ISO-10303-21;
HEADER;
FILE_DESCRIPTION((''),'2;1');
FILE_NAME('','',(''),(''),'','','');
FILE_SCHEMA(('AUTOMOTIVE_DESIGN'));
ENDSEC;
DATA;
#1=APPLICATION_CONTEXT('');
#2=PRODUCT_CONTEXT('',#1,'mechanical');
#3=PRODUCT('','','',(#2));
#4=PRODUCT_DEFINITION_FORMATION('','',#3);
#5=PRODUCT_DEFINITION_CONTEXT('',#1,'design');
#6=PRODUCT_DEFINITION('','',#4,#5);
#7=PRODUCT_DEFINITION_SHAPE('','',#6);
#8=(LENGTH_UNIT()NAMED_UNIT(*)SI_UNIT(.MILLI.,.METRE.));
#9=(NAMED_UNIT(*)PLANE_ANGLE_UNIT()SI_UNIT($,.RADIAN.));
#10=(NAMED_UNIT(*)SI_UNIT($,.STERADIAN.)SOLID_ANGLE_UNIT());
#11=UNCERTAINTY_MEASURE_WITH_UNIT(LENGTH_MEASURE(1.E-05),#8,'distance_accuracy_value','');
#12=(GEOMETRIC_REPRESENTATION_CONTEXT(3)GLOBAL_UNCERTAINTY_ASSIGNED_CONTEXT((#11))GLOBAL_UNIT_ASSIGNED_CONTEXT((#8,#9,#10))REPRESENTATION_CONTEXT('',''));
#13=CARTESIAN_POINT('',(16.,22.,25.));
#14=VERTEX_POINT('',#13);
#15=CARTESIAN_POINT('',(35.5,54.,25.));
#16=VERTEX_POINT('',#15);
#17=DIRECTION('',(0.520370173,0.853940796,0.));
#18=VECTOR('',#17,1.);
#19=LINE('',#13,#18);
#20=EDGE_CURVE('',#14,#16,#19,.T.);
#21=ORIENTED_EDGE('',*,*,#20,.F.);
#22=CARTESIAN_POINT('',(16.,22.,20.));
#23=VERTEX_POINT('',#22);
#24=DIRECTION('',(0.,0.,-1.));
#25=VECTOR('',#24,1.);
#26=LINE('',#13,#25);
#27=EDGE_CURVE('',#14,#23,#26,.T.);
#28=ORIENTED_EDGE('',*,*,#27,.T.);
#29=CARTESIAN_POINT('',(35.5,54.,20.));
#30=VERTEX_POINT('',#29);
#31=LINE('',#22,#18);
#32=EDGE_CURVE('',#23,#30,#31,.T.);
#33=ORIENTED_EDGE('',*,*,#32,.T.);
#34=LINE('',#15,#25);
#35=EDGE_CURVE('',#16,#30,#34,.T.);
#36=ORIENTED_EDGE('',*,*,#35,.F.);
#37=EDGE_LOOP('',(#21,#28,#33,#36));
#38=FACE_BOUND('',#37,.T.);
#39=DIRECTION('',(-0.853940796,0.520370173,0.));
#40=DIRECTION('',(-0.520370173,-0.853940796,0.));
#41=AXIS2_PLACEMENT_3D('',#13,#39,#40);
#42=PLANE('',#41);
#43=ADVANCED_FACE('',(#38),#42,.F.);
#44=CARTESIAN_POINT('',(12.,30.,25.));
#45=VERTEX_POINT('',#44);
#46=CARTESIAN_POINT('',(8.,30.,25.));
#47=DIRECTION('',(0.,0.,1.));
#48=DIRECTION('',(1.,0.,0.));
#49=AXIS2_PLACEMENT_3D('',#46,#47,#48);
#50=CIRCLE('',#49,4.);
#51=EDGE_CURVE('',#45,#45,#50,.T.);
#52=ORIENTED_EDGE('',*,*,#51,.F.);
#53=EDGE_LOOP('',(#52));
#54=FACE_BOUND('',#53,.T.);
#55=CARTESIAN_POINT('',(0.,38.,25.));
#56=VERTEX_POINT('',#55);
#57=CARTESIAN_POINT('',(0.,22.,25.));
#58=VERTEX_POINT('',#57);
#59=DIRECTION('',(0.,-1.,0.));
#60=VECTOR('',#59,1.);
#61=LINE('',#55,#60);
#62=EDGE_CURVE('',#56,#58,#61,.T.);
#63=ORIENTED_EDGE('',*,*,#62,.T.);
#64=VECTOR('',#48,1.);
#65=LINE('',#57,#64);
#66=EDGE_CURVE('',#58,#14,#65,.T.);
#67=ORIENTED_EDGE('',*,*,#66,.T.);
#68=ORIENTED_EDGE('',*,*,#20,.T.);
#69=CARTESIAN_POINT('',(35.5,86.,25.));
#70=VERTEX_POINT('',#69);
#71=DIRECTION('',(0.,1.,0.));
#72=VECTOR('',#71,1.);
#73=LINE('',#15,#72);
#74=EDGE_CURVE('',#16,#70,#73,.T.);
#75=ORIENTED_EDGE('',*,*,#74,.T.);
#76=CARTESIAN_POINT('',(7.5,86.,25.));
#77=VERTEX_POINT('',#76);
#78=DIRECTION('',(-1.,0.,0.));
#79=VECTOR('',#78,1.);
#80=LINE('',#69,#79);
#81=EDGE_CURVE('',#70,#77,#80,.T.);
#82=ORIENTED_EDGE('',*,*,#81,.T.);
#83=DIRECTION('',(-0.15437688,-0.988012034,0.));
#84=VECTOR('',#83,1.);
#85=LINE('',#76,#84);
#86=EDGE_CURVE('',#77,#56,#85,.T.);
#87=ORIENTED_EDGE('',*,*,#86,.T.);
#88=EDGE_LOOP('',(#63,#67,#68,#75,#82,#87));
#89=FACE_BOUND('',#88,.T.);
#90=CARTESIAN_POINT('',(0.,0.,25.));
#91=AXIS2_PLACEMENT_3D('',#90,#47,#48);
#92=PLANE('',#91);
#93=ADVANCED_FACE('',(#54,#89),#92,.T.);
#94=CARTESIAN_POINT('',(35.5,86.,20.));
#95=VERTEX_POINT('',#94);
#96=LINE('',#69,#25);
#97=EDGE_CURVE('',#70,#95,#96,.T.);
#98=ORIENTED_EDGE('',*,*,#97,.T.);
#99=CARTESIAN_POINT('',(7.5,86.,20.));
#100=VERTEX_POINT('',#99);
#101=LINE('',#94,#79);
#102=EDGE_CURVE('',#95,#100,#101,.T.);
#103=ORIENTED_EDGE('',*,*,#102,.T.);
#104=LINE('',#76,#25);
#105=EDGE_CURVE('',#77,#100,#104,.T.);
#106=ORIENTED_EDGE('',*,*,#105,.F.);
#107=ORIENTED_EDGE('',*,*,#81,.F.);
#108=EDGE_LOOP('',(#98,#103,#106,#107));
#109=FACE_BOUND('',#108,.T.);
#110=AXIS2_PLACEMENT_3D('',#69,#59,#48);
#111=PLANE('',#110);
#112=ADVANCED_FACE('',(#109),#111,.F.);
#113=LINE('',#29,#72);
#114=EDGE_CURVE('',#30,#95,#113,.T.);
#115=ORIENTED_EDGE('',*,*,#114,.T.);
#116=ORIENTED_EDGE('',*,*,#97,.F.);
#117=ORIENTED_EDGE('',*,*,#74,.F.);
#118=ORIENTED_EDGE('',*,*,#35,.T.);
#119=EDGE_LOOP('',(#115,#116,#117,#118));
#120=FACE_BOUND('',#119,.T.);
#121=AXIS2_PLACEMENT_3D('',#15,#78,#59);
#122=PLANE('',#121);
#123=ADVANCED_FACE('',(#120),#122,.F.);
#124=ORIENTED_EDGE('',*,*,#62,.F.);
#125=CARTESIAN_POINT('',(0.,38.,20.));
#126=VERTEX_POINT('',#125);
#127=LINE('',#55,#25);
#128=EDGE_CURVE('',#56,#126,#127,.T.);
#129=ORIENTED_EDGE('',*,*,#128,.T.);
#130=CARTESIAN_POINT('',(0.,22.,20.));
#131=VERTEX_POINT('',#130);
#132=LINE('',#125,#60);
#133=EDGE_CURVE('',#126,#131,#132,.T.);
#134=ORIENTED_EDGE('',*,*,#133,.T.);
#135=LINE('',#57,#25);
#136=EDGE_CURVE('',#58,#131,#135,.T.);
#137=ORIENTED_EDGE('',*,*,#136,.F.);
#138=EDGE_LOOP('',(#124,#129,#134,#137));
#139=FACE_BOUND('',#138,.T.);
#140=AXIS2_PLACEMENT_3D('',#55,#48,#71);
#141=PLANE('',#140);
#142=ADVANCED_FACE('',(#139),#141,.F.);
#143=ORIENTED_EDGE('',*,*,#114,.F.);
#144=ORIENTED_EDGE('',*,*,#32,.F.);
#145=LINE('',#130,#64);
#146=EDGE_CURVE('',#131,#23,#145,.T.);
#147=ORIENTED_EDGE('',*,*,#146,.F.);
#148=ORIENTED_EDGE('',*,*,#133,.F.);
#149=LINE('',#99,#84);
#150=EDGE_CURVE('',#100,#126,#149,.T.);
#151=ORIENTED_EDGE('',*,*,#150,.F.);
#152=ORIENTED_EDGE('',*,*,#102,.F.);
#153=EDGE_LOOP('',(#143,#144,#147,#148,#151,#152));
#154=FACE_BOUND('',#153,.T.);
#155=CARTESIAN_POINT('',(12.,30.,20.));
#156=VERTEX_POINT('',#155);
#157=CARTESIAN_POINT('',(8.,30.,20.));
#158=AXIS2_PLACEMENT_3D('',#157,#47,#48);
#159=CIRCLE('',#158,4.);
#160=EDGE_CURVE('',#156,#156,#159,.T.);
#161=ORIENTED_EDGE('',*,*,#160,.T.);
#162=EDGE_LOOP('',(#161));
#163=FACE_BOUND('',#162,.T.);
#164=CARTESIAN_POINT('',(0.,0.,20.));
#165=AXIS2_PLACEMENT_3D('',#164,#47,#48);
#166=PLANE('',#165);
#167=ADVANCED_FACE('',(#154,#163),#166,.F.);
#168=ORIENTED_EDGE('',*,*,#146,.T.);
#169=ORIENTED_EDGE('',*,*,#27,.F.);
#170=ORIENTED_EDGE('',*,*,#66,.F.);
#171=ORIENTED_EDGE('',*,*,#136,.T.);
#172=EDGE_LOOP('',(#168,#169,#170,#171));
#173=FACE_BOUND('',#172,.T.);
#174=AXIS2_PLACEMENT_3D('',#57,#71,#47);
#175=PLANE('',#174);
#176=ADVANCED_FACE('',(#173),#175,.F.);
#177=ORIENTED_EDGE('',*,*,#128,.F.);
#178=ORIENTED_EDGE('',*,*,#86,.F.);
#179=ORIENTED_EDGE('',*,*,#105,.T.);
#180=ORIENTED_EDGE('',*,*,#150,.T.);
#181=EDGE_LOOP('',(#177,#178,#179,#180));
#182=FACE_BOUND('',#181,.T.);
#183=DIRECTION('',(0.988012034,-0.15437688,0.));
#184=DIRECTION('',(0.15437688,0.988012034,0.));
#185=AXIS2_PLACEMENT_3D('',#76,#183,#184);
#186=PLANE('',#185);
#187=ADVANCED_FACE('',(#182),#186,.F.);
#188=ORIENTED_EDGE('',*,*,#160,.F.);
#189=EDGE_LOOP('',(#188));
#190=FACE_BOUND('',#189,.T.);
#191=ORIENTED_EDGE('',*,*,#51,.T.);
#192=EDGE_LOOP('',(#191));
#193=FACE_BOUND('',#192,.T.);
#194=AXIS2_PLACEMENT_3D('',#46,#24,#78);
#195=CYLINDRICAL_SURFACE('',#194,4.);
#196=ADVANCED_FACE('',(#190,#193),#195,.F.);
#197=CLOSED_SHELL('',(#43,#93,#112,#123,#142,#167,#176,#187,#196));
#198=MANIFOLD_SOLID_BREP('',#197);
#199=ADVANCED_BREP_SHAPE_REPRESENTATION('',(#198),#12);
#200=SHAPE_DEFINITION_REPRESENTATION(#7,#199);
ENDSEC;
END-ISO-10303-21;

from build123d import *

# Parameters (mm, degrees)
EXTRUDE_START   = 20
SKETCH_1_R      = 4
EXTRUDE_1_DEPTH = 5


with BuildPart() as part:
    # ｽｹｯﾁ1 → ﾎﾞｽ - 押し出し1 (new body)
    with BuildSketch(Plane.XY.offset(EXTRUDE_START)):
        Polygon((0, 22), (16, 22), (35.5, 54), (35.5, 86), (7.5, 86), (0, 38), align=None)
        with Locations((8, 30)):
            Circle(SKETCH_1_R, mode=Mode.SUBTRACT)
    extrude(amount=EXTRUDE_1_DEPTH)


solid = part.part
